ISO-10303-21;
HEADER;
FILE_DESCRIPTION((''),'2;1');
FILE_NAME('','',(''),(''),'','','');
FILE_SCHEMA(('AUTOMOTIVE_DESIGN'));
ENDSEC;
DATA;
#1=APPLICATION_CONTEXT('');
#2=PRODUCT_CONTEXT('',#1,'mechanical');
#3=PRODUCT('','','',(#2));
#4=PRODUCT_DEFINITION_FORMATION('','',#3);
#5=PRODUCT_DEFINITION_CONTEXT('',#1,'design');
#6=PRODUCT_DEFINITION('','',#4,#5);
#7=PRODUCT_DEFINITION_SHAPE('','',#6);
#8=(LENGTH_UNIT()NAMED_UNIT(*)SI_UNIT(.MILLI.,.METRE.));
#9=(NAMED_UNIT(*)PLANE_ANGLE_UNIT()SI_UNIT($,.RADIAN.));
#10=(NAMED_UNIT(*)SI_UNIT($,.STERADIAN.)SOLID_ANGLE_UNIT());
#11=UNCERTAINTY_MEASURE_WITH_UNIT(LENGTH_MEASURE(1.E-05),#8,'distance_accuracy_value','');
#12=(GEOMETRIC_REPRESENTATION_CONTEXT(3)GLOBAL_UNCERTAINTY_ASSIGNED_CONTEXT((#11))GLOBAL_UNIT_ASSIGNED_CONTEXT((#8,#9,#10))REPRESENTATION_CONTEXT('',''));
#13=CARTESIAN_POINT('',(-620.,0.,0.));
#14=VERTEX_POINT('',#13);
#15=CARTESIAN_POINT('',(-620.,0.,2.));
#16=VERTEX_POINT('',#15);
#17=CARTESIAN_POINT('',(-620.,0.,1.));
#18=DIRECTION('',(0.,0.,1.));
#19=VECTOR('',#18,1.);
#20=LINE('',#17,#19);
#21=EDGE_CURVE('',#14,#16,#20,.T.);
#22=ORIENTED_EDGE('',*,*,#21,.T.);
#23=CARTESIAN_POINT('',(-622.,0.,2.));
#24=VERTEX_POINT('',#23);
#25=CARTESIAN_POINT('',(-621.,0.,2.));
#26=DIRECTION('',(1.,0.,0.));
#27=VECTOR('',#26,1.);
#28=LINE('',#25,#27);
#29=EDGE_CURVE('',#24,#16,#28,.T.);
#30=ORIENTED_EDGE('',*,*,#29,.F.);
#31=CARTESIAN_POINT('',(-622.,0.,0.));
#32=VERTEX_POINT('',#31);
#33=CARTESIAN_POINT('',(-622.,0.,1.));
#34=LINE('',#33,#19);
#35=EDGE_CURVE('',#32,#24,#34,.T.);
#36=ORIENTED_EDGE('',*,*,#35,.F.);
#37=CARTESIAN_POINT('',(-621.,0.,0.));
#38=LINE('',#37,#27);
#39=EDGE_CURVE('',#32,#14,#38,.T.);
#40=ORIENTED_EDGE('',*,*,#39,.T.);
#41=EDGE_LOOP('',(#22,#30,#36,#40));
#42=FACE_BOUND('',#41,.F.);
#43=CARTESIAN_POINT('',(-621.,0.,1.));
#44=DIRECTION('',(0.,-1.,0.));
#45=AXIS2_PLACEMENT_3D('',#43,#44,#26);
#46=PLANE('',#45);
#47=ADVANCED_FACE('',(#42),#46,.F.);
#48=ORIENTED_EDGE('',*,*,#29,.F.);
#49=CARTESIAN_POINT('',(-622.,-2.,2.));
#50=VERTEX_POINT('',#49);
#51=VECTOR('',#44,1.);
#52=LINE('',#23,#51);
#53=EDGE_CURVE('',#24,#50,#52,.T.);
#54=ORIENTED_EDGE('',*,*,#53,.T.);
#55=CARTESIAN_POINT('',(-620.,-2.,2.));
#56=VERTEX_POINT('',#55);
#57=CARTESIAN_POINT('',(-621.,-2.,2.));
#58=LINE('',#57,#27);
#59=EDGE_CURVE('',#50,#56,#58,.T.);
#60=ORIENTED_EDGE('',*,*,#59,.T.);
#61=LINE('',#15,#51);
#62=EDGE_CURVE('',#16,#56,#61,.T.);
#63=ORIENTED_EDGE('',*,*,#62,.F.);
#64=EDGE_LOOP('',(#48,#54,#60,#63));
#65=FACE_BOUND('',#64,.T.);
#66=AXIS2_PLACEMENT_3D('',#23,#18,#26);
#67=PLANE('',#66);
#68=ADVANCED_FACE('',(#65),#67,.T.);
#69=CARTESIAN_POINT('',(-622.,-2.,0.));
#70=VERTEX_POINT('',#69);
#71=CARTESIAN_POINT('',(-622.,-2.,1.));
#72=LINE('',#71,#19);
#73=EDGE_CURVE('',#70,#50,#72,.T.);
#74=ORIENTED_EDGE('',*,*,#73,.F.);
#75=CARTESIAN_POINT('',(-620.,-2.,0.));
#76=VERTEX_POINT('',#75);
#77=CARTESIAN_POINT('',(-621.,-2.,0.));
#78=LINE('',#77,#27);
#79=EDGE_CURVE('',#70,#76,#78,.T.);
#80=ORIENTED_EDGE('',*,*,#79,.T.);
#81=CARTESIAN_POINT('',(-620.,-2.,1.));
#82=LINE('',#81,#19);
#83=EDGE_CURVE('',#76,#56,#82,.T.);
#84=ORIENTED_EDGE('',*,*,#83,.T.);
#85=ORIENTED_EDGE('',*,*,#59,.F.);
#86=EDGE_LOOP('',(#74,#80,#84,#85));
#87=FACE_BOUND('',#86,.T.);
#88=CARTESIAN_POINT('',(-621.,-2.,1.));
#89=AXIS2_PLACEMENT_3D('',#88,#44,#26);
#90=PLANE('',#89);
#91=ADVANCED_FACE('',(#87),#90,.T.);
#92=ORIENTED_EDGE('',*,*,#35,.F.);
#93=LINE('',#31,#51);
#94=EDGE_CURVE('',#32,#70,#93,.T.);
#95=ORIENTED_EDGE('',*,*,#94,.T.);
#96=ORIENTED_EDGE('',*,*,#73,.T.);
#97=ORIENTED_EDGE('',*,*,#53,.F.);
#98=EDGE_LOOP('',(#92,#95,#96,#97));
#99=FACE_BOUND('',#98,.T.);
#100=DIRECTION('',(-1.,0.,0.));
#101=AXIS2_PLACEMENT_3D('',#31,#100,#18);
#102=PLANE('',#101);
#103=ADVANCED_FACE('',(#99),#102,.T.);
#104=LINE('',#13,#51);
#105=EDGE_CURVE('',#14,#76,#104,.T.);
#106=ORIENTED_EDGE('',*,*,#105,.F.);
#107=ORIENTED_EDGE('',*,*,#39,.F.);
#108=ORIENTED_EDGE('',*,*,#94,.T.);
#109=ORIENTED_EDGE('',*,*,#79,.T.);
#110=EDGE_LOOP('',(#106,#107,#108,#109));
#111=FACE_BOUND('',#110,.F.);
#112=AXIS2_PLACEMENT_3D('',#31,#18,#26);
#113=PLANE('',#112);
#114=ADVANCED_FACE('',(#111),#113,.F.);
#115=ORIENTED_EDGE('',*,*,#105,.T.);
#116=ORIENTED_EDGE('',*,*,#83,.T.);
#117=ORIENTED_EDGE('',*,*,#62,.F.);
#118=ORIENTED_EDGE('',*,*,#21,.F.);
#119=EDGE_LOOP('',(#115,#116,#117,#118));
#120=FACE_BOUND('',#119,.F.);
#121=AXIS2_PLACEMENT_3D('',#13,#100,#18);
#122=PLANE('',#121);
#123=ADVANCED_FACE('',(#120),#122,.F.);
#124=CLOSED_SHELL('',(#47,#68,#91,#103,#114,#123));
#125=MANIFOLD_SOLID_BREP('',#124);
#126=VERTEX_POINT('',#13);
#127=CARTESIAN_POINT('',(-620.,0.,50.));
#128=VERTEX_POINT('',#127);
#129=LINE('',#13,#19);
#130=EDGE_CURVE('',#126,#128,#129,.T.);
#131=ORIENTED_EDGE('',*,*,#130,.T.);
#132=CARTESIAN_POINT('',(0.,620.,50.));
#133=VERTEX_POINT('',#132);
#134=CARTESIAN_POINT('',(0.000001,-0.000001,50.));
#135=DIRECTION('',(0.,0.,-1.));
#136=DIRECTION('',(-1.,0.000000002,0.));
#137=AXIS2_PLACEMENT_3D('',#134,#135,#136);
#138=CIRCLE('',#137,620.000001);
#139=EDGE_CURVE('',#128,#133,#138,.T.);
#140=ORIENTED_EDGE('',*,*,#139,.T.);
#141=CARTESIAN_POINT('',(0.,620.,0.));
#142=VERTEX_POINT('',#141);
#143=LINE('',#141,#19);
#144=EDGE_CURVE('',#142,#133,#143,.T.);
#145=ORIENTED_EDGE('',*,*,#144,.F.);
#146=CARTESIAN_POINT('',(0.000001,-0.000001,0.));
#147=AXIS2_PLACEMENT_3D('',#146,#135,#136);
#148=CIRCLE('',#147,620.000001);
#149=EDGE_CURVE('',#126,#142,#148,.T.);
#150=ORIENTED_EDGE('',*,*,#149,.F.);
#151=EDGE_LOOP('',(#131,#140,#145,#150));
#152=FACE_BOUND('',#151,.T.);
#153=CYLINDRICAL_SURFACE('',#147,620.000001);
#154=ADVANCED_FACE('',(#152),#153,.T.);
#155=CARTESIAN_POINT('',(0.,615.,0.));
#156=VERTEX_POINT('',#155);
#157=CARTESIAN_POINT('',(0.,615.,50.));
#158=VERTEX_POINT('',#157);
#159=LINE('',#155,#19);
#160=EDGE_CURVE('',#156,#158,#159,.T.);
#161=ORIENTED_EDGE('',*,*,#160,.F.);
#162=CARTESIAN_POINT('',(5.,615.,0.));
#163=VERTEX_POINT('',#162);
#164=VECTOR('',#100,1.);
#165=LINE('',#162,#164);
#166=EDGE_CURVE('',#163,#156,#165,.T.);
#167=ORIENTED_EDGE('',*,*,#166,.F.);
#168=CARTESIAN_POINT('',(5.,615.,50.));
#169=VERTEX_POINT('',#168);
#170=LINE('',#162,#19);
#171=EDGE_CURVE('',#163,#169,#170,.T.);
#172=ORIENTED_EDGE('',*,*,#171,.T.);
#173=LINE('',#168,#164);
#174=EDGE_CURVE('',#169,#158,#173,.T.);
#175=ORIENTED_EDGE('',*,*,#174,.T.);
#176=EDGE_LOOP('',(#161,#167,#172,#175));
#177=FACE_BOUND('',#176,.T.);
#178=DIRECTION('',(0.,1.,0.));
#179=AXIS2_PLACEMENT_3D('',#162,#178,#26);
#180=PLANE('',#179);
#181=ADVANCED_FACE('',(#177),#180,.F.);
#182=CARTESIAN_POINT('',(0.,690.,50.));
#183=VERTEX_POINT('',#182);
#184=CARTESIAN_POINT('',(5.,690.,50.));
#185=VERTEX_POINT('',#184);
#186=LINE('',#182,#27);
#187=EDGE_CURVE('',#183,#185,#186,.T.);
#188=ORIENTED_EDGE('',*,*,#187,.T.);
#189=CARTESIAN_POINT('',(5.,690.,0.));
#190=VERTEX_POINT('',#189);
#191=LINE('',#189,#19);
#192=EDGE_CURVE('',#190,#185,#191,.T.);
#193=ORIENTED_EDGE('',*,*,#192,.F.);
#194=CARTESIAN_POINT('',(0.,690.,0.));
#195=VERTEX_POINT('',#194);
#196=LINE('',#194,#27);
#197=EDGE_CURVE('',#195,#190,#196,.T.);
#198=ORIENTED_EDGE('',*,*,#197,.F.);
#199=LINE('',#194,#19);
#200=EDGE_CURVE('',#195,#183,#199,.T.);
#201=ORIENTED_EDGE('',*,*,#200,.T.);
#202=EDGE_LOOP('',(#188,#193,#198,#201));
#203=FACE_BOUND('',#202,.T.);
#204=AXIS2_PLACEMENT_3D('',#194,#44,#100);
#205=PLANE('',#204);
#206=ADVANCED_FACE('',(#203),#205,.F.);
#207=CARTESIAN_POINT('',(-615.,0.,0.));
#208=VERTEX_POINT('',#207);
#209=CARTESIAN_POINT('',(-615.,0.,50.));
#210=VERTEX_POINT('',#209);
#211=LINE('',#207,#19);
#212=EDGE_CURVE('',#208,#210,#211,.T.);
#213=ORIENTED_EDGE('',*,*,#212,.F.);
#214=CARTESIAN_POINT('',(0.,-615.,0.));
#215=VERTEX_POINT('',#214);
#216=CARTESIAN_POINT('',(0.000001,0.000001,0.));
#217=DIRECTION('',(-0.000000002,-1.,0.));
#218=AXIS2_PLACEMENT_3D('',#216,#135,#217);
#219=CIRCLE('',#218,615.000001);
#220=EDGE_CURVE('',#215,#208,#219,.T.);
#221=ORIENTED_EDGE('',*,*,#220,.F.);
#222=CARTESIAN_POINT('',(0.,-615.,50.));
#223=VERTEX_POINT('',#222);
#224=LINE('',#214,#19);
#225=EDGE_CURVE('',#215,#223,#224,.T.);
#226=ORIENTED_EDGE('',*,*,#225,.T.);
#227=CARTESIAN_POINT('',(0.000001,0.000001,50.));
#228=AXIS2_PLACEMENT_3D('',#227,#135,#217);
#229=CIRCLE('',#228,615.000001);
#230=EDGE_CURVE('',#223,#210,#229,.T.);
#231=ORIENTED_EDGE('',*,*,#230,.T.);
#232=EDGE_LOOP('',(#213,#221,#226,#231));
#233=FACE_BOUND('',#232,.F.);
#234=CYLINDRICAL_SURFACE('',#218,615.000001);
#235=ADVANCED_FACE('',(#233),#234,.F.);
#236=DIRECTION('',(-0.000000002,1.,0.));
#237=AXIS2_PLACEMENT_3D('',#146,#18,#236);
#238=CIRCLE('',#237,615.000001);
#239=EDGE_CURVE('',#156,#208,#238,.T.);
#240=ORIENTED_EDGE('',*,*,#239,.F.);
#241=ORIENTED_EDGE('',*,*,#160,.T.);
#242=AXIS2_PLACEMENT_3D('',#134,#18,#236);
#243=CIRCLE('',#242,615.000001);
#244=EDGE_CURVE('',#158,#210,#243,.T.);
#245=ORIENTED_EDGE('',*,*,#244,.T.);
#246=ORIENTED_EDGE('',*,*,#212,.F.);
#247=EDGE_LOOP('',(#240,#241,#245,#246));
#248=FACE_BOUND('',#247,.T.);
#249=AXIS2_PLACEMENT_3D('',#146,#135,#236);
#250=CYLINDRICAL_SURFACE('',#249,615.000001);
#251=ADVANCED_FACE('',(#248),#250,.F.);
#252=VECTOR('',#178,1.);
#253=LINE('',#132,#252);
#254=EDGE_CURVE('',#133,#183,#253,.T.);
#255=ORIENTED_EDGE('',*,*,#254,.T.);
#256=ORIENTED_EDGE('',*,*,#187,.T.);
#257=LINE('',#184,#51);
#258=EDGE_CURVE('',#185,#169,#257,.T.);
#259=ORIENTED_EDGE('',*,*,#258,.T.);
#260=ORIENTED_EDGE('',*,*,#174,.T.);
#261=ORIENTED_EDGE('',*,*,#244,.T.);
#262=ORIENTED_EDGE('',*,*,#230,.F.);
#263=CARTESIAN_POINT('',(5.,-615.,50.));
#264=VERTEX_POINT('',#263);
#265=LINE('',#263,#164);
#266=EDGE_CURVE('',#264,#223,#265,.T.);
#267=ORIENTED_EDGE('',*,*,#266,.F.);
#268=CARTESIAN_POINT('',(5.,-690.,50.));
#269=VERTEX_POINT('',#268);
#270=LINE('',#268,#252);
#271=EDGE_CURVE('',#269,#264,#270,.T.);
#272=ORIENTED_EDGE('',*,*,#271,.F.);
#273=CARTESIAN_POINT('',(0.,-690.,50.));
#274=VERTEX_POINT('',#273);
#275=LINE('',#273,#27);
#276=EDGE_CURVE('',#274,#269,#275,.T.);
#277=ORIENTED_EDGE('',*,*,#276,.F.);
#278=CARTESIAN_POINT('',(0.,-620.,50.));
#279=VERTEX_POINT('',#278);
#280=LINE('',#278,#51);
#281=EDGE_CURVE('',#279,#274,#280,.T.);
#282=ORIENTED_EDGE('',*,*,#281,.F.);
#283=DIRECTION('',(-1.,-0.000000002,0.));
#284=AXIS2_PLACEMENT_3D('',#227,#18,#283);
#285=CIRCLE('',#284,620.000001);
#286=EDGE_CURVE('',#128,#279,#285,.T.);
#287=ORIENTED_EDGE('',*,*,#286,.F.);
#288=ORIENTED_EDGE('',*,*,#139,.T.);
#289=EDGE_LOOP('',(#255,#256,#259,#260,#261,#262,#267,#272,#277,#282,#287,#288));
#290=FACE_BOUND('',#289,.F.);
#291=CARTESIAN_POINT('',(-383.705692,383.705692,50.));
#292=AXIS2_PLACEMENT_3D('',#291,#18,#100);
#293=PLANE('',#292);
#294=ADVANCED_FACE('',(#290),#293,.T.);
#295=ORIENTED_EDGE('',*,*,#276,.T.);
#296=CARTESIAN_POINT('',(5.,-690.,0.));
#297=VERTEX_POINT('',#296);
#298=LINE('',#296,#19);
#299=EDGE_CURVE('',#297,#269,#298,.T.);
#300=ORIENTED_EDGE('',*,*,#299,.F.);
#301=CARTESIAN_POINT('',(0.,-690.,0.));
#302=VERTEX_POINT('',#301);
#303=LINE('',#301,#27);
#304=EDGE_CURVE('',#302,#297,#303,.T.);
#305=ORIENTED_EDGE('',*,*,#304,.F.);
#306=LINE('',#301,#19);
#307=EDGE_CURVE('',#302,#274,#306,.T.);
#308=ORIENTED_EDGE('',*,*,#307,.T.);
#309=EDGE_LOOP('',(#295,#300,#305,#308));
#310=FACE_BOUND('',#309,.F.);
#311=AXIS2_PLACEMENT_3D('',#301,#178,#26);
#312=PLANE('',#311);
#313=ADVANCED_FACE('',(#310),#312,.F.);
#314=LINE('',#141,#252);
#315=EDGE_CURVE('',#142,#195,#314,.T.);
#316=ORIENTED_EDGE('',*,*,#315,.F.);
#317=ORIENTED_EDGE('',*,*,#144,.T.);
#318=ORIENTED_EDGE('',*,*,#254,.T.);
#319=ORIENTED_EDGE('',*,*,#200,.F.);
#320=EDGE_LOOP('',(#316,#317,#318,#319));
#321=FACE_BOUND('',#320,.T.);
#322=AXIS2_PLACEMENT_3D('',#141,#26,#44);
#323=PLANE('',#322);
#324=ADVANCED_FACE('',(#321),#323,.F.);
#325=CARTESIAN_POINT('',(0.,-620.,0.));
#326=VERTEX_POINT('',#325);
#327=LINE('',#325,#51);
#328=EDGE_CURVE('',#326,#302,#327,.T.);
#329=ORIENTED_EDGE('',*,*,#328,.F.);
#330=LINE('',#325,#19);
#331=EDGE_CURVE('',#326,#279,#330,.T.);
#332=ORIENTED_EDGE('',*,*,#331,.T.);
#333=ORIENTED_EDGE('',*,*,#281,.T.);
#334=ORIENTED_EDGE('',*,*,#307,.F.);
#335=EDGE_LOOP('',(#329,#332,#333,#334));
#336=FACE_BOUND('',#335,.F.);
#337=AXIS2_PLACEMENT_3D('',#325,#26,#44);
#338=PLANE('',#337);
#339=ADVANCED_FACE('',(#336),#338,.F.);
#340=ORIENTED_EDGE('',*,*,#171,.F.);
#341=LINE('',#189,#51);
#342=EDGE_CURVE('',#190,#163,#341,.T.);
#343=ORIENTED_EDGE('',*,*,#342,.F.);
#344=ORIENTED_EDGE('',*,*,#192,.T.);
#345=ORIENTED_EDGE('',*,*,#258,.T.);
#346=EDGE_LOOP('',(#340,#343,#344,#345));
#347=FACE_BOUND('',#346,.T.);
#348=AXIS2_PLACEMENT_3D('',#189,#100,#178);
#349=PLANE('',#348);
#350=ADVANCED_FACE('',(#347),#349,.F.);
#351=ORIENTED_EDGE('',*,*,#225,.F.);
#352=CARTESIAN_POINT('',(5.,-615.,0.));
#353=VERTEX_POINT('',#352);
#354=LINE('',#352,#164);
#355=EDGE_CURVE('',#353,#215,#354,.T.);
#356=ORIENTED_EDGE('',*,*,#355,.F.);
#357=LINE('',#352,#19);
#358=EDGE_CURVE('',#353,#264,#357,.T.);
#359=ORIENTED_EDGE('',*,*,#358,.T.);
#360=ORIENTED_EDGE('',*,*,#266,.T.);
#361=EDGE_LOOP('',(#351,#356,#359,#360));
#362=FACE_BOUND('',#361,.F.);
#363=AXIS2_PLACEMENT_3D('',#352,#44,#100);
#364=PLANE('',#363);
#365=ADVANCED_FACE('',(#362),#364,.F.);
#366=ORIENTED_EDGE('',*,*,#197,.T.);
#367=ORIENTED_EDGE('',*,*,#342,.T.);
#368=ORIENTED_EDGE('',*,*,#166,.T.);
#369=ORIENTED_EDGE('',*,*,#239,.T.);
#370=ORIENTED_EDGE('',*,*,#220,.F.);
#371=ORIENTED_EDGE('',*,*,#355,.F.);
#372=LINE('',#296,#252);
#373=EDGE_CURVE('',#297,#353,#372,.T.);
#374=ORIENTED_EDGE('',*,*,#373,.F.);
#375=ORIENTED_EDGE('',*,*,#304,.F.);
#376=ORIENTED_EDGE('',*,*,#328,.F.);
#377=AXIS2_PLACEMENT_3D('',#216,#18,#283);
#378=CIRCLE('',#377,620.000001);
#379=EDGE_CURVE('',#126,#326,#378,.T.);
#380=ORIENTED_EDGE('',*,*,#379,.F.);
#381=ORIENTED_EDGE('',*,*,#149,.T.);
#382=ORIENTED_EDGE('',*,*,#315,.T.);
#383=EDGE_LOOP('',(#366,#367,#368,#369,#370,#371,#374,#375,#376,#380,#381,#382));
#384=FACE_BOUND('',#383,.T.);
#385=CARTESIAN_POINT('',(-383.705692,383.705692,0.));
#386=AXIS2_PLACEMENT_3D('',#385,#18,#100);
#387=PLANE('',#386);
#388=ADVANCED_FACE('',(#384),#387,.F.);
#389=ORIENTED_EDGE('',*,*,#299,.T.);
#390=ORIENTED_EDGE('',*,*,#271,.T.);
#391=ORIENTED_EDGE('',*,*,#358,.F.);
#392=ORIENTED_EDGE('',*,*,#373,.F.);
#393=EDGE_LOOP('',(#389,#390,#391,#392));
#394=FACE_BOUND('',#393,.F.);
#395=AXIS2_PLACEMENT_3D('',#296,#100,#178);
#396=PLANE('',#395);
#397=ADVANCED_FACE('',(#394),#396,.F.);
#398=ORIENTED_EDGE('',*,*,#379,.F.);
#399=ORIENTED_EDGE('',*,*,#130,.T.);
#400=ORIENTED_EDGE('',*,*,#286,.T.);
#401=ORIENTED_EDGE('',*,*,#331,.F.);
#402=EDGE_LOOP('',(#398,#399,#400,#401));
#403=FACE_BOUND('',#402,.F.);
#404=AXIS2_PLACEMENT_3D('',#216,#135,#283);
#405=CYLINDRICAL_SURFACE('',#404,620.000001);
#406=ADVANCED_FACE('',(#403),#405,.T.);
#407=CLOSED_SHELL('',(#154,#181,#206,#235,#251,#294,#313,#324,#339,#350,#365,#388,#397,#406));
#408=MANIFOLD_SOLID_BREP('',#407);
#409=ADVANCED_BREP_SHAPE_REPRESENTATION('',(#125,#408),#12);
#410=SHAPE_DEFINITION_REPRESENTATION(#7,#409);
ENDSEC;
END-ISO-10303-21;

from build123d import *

# Parameters (mm, degrees)
F1_DEPTH = 50
F3_W     = 2
F3_H     = 2
F4_DEPTH = 2


with BuildPart() as f1:
    # F0 (on Top) → F1 (new body)
    with BuildSketch(Plane.XY):
        with BuildLine():
            Line((-615, 0), (-620, 0))
            ThreePointArc((-620, 0), (-438.406204, -438.406204), (0, -620))
            Line((0, -620), (0, -615))
            ThreePointArc((0, -615), (-434.87067, -434.87067), (-615, 0))
        make_face()
        Polygon((0, -615), (0, -620), (0, -690), (5, -690), (5, -615), align=None)
    extrude(amount=F1_DEPTH)

    # F2: F1 across face


with BuildPart() as f1_1:
    add(f1.part)
    add(f1.part.mirror(Plane(origin=(-617.5, 0, 25), x_dir=(-1, 0, 0), z_dir=(0, 1, 0))))


with BuildPart() as f4:
    # F3 (on Front) → F4 (new body)
    with BuildSketch(Plane.XZ):
        with Locations((-621, 1)):
            Rectangle(F3_W, F3_H)
    extrude(amount=F4_DEPTH)


solid = Compound([f1_1.part, f4.part])
